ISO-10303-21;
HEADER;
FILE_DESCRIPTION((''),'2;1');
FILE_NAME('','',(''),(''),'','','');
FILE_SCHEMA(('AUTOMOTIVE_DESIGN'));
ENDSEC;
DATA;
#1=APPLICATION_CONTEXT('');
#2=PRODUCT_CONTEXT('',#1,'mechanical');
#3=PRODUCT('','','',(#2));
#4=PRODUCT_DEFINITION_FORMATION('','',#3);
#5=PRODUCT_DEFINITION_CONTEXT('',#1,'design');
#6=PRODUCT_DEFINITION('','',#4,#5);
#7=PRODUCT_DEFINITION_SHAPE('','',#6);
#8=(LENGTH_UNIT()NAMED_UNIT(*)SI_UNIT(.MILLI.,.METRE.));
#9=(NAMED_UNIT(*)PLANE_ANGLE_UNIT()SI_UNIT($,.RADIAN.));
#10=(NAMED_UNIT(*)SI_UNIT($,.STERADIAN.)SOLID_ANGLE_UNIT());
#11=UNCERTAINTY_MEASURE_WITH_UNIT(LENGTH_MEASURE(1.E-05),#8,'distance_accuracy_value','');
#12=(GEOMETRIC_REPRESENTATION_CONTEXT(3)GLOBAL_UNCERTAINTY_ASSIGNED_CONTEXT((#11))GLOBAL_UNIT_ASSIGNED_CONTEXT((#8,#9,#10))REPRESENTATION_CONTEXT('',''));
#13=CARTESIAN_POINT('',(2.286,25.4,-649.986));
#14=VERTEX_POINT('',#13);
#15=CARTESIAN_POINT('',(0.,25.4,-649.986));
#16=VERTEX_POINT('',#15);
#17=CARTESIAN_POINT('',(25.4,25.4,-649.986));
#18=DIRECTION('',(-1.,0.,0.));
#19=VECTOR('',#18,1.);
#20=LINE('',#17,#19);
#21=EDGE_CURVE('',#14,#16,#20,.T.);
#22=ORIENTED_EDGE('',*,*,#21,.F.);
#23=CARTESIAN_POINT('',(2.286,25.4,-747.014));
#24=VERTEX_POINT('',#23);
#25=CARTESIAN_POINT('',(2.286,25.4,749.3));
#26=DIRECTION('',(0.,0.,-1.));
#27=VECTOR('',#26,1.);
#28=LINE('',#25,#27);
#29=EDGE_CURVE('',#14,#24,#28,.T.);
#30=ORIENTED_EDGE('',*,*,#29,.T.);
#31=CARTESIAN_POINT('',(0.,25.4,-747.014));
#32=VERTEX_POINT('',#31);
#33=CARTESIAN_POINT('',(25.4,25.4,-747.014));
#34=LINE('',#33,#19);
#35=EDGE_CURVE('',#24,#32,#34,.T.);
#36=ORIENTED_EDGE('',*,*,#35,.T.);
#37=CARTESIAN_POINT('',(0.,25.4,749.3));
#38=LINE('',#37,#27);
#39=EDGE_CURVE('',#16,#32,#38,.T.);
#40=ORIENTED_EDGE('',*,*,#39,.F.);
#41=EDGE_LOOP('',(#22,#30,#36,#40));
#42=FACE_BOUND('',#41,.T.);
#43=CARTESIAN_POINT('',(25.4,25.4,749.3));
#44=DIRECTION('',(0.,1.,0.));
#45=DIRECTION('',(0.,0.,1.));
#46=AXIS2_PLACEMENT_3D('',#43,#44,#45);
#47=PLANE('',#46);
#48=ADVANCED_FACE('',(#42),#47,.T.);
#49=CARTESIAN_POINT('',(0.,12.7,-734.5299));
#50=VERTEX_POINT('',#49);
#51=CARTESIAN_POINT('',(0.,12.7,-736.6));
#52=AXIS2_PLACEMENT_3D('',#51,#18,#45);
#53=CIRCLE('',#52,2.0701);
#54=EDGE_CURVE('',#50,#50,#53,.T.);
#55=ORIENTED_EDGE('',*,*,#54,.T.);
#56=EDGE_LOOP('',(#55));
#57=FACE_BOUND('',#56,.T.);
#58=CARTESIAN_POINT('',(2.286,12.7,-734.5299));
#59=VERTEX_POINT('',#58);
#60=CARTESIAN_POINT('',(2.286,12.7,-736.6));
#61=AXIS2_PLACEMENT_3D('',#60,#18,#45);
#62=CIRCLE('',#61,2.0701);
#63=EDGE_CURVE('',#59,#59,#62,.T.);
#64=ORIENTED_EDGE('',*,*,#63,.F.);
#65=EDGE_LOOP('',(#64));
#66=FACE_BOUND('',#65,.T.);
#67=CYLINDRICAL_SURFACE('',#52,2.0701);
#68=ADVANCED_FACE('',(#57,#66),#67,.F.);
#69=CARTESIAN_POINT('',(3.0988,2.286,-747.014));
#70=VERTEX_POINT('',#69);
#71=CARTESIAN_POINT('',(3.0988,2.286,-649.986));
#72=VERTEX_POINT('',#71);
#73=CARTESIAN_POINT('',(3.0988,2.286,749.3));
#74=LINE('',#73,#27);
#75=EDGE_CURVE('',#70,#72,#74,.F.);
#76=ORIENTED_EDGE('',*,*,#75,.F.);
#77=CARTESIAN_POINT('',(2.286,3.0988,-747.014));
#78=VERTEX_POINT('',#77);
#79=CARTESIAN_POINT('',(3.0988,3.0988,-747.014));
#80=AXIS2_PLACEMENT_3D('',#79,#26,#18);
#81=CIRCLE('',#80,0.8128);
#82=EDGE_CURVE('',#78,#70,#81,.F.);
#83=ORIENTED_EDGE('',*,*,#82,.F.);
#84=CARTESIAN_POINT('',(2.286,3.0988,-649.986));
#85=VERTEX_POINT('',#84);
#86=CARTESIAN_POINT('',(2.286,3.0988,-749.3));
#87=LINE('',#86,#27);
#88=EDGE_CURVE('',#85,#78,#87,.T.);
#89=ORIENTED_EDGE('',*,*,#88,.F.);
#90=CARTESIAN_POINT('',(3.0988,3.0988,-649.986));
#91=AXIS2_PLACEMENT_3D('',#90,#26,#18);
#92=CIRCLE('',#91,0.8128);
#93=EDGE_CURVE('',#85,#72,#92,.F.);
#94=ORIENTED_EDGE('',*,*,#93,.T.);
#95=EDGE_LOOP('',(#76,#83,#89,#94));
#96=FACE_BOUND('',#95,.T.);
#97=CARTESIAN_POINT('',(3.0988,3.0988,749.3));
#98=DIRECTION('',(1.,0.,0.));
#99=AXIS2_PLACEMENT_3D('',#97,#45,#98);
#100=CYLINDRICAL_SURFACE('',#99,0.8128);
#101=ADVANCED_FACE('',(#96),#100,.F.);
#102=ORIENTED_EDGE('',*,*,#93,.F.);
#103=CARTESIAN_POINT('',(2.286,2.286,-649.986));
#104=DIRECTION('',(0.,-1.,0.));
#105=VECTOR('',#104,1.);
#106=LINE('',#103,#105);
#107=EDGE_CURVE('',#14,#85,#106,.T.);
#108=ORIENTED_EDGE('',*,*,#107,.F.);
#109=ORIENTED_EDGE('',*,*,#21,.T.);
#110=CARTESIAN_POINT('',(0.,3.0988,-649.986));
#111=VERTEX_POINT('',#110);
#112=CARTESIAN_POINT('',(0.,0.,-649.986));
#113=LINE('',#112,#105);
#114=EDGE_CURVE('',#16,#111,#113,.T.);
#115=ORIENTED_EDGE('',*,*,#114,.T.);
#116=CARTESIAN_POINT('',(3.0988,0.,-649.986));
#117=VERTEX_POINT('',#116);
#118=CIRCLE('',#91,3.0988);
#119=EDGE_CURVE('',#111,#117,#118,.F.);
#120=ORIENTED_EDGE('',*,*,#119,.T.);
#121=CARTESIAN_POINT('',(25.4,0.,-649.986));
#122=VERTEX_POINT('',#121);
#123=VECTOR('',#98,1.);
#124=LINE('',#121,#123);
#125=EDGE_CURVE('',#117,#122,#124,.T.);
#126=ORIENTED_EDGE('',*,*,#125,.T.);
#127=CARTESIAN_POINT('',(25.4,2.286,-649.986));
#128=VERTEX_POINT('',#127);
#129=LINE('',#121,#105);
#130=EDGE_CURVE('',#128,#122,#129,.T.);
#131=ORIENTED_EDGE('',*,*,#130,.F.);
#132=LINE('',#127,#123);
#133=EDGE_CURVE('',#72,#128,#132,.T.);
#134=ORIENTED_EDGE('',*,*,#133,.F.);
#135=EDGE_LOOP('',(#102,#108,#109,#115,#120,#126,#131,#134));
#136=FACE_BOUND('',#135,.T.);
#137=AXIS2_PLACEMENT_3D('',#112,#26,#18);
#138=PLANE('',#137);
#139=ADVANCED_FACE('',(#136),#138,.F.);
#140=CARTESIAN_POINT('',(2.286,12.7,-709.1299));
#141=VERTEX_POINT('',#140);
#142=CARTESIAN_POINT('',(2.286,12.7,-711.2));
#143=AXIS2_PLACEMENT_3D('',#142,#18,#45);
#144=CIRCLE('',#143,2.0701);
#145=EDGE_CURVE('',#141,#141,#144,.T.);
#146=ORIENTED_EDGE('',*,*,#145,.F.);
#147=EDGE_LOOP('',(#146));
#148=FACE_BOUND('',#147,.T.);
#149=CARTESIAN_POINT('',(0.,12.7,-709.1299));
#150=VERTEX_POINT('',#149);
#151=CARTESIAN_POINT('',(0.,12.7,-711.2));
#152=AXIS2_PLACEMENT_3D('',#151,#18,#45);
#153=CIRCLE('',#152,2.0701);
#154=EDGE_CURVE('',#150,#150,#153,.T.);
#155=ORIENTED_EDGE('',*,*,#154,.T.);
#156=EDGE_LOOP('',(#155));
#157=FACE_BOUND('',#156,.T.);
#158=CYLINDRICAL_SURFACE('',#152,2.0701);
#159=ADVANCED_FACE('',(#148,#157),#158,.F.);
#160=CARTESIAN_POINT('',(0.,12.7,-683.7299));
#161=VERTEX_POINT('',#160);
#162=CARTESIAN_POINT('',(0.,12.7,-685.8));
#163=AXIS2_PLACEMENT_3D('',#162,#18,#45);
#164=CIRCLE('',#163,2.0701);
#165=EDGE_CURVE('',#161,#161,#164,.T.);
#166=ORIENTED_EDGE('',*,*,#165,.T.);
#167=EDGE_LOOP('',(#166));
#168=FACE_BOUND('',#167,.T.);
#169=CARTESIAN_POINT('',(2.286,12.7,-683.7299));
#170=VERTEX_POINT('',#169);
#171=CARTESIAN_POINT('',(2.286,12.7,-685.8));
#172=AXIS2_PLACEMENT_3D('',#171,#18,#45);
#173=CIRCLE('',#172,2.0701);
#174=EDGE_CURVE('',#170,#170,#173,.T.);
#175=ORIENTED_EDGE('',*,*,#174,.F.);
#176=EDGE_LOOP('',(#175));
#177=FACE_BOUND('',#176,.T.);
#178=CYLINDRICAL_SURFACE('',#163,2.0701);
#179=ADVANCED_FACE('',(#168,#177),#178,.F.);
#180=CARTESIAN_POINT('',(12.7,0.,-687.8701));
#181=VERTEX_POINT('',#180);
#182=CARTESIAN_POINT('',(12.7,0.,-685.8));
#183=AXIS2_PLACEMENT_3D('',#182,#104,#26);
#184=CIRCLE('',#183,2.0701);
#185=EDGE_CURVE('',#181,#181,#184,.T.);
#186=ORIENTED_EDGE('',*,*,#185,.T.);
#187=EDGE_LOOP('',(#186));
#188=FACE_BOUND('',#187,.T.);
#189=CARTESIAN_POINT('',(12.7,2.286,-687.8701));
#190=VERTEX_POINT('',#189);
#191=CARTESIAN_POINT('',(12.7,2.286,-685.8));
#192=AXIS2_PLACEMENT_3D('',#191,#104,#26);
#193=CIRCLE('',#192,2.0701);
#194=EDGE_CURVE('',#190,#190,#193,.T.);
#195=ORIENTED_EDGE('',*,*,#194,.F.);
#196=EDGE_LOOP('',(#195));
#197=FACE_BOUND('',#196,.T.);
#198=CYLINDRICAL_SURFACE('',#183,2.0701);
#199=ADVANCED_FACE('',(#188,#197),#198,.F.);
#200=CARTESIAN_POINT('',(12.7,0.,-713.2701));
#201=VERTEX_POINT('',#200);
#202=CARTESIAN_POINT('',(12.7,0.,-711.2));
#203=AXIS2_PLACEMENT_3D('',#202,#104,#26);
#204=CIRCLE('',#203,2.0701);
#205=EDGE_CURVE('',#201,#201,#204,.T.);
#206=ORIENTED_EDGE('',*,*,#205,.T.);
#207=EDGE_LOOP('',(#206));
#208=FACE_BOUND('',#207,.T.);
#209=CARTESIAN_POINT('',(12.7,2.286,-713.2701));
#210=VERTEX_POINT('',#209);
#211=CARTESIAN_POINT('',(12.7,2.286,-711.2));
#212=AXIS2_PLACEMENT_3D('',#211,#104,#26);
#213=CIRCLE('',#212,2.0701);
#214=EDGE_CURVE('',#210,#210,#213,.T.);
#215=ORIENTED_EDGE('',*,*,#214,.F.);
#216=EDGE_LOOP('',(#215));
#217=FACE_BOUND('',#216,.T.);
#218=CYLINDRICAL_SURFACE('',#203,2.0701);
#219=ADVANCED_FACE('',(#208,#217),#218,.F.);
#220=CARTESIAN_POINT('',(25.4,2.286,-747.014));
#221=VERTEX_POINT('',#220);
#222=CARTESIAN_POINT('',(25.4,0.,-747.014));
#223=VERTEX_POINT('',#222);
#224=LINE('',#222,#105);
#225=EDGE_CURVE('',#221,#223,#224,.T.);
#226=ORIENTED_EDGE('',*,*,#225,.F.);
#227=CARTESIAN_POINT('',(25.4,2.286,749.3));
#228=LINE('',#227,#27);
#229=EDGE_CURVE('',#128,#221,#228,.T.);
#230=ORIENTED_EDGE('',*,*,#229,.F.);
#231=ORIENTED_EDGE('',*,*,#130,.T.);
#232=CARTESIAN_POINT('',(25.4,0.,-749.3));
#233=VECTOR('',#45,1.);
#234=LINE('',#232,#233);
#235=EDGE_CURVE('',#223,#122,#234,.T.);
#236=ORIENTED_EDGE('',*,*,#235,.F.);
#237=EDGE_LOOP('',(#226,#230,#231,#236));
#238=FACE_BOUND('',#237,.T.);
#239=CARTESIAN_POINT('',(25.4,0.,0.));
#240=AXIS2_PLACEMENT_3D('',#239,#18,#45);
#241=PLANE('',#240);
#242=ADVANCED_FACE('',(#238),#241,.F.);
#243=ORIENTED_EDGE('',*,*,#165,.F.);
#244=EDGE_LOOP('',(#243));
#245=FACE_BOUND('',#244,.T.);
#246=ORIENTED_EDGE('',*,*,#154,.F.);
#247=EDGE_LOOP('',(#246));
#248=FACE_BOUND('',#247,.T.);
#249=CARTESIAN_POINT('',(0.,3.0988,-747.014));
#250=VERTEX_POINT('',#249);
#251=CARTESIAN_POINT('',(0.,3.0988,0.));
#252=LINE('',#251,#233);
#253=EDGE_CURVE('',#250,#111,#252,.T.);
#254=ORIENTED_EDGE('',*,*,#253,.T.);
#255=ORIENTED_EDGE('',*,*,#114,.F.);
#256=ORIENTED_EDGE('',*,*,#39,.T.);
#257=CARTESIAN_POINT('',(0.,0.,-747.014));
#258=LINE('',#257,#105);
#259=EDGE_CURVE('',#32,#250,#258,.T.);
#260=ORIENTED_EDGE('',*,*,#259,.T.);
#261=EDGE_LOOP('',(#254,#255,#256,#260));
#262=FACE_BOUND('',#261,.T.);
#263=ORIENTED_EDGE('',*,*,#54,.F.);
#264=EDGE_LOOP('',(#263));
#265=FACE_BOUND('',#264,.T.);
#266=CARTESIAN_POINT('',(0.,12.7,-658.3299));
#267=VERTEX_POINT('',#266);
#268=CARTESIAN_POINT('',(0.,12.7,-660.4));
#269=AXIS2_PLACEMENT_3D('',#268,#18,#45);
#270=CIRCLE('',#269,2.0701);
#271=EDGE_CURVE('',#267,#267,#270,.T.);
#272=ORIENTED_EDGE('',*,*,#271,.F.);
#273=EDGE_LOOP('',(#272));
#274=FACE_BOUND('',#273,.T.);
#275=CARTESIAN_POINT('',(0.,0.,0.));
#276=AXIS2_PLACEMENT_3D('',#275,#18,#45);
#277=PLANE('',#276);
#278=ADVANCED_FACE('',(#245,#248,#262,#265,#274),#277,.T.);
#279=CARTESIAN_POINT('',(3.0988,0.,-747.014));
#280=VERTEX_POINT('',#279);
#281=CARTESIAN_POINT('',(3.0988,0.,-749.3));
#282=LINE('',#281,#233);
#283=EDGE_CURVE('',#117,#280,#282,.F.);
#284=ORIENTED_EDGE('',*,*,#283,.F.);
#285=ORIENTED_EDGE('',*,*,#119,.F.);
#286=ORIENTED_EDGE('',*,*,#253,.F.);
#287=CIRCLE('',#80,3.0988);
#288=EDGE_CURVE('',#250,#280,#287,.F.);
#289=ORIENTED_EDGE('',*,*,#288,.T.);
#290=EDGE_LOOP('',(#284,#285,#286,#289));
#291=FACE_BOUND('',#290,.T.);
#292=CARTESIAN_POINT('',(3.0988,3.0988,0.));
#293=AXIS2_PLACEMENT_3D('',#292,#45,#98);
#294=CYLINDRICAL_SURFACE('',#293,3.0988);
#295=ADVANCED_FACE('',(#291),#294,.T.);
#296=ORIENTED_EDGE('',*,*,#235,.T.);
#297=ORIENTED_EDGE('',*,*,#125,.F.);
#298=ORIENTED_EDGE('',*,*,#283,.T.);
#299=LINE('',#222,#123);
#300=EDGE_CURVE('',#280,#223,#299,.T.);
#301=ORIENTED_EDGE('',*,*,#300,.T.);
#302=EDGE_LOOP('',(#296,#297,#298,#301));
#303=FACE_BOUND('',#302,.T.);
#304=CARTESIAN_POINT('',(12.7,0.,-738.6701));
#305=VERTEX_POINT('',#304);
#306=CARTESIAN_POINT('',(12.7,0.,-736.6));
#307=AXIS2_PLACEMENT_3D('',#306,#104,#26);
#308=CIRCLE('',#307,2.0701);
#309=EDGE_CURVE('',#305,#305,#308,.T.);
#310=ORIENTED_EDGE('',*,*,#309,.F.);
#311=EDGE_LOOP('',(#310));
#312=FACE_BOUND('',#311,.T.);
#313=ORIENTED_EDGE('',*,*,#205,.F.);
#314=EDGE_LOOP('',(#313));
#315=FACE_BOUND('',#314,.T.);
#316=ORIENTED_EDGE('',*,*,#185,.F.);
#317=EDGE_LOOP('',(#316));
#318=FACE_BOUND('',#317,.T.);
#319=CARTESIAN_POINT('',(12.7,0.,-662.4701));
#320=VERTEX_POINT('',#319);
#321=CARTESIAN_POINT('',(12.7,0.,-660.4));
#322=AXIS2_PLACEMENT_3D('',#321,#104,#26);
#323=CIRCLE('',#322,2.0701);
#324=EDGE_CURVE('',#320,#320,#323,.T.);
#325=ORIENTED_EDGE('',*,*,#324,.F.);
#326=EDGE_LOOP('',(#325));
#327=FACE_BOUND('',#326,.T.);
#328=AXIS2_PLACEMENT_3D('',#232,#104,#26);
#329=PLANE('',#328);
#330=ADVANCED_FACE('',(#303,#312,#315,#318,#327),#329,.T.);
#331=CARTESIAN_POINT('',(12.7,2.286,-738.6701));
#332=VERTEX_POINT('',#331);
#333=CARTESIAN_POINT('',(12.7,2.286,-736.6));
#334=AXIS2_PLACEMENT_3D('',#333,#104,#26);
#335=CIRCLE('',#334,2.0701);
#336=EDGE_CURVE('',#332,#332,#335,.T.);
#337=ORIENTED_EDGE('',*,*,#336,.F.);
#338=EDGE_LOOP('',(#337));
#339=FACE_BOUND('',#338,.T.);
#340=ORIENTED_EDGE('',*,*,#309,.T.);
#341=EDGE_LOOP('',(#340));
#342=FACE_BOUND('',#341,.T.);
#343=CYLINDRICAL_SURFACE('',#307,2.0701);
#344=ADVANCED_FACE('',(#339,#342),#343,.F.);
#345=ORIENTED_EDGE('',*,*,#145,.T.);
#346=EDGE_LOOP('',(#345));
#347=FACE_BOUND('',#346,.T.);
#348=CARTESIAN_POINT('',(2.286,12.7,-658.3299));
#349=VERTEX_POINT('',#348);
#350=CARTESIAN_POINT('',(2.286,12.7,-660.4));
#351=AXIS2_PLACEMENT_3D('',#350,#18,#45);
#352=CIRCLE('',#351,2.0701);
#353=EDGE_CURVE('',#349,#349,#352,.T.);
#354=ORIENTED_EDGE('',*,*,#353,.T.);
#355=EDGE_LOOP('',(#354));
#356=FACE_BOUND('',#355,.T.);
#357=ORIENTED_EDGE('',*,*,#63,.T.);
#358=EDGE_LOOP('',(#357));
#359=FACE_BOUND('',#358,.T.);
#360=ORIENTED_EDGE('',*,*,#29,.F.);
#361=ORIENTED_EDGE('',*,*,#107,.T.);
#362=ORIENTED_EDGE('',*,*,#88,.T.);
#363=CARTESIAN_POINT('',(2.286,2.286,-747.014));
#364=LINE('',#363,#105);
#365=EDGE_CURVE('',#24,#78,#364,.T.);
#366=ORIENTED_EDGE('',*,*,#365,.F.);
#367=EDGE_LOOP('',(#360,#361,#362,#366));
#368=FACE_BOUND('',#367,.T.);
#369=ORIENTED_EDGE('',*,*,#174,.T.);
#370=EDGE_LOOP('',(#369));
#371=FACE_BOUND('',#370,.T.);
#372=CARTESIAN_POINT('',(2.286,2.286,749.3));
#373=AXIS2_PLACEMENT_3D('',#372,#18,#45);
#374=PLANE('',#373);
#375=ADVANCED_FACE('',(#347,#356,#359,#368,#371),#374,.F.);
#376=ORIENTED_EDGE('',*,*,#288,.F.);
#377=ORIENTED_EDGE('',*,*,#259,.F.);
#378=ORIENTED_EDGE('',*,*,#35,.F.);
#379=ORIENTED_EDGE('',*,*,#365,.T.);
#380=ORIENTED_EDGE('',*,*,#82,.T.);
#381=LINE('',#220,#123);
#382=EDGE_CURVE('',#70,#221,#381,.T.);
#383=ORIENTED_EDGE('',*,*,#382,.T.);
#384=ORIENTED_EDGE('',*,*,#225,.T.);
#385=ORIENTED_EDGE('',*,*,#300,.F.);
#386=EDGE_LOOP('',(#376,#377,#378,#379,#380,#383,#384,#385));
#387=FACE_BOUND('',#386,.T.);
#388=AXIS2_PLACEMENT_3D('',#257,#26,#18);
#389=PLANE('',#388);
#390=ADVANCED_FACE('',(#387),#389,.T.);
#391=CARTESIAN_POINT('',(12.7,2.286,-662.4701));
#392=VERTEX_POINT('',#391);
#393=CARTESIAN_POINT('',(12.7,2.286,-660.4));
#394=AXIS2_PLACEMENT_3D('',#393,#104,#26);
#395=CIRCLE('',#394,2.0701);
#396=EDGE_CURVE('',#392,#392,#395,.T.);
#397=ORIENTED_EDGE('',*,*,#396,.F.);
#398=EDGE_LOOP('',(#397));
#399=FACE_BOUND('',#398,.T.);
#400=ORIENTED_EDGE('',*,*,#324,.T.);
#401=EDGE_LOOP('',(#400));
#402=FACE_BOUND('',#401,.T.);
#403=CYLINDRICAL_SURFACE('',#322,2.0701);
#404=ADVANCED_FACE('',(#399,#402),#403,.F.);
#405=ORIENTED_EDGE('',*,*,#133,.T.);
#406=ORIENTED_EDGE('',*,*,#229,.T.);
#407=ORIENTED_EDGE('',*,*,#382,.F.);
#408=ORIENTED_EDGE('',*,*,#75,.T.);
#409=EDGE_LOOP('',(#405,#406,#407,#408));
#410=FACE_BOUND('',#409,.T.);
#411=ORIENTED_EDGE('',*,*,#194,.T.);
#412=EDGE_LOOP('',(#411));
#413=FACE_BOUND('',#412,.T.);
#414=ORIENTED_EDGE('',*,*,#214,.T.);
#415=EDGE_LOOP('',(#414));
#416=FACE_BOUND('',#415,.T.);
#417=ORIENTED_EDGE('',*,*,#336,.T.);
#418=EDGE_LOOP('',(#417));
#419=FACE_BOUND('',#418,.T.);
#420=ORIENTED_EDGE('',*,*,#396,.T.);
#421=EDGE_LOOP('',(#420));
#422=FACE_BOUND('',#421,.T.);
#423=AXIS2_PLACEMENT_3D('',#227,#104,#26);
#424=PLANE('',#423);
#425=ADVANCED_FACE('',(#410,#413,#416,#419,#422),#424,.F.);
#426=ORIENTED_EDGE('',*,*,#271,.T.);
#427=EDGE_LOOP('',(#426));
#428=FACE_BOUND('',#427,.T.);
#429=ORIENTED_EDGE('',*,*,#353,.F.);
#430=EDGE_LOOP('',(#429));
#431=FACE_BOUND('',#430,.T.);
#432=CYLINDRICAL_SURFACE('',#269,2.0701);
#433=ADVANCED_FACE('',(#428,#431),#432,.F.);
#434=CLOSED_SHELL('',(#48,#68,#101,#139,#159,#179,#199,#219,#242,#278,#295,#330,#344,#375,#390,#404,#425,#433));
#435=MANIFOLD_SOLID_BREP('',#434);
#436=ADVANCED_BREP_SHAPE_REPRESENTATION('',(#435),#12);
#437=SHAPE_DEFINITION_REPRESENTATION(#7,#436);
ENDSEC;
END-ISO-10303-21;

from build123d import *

# Parameters (mm, degrees)
SKETCH1_W                  = 25.4
SKETCH1_H                  = 1498.6
BOSS_EXTRUDE1_DEPTH        = 25.4
SKETCH2_W                  = 23.114
SKETCH2_H                  = 23.114
CUT_EXTRUDE1_DEPTH         = 1499.6
M3_5_CLEARANCE_HOLE1_D     = 4.1402
M3_5_CLEARANCE_HOLE1_DEPTH = 25.4
M3_5_CLEARANCE_HOLE2_D     = 4.1402
M3_5_CLEARANCE_HOLE2_DEPTH = 25.4
CHAMFER1_SIZE              = 2.159
FILLET1_R                  = 0.8128
FILLET2_R                  = 3.0988
SKETCH8_W                  = 95.882963774
SKETCH8_H                  = 79.338329604
CUT_EXTRUDE3_DEPTH         = 1397
SKETCH9_W                  = 55.647897921
SKETCH9_H                  = 59.659370493
CUT_EXTRUDE4_DEPTH         = 2.286
SKETCH10_W                 = 60.180202688
SKETCH10_H                 = 53.53268885
CUT_EXTRUDE5_DEPTH         = 2.286


with BuildPart() as part:
    # Sketch1 → Boss-Extrude1 (new body)
    with BuildSketch(Plane(origin=(0, 0, 0), x_dir=(0, -1, 0), z_dir=(-1, 0, 0))):
        with Locations((-12.7, 0)):
            Rectangle(SKETCH1_W, SKETCH1_H)
    extrude(amount=-BOSS_EXTRUDE1_DEPTH)

    # Sketch2 → Cut-Extrude1 (cut, through all)
    with BuildSketch(Plane(origin=(0, 0, -749.3), x_dir=(-1, 0, 0), z_dir=(0, 0, -1))):
        with Locations((-13.843, 13.843)):
            Rectangle(SKETCH2_W, SKETCH2_H)
    extrude(amount=-CUT_EXTRUDE1_DEPTH, mode=Mode.SUBTRACT)

    # M3.5 Clearance Hole1
    with Locations(Plane(origin=(0, 0, 0), x_dir=(-1, 0, 0), z_dir=(0, -1, 0))):
        with Locations((-12.7, 736.6), (-12.7, 711.2), (-12.7, 685.8), (-12.7, 660.4), (-12.7, 635), (-12.7, 609.6), (-12.7, 584.2), (-12.7, 558.8), (-12.7, 533.4), (-12.7, 508), (-12.7, 482.6), (-12.7, 457.2), (-12.7, 431.8), (-12.7, 406.4), (-12.7, 381), (-12.7, 355.6), (-12.7, 330.2), (-12.7, 304.8), (-12.7, 279.4), (-12.7, 254), (-12.7, 228.6), (-12.7, 203.2), (-12.7, 177.8), (-12.7, 152.4), (-12.7, 127), (-12.7, 101.6), (-12.7, 76.2), (-12.7, 50.8), (-12.7, 25.4), (-12.7, 0), (-12.7, -25.4), (-12.7, -50.8), (-12.7, -76.2), (-12.7, -101.6), (-12.7, -127), (-12.7, -152.4), (-12.7, -177.8), (-12.7, -203.2), (-12.7, -228.6), (-12.7, -254), (-12.7, -279.4), (-12.7, -304.8), (-12.7, -330.2), (-12.7, -355.6), (-12.7, -381), (-12.7, -406.4), (-12.7, -431.8), (-12.7, -457.2), (-12.7, -482.6), (-12.7, -508), (-12.7, -533.4), (-12.7, -558.8), (-12.7, -584.2), (-12.7, -609.6), (-12.7, -635), (-12.7, -660.4), (-12.7, -685.8), (-12.7, -711.2), (-12.7, -736.6)):
            Hole(M3_5_CLEARANCE_HOLE1_D / 2, depth=M3_5_CLEARANCE_HOLE1_DEPTH)

    # M3.5 Clearance Hole2
    with Locations(Plane.ZY):
        with Locations((711.2, 12.7), (736.6, 12.7), (685.8, 12.7), (660.4, 12.7), (635, 12.7), (609.6, 12.7), (584.2, 12.7), (558.8, 12.7), (533.4, 12.7), (508, 12.7), (482.6, 12.7), (457.2, 12.7), (431.8, 12.7), (406.4, 12.7), (381, 12.7), (355.6, 12.7), (330.2, 12.7), (304.8, 12.7), (279.4, 12.7), (254, 12.7), (228.6, 12.7), (203.2, 12.7), (177.8, 12.7), (152.4, 12.7), (127, 12.7), (101.6, 12.7), (76.2, 12.7), (50.8, 12.7), (25.4, 12.7), (0, 12.7), (-25.4, 12.7), (-50.8, 12.7), (-76.2, 12.7), (-101.6, 12.7), (-127, 12.7), (-152.4, 12.7), (-177.8, 12.7), (-203.2, 12.7), (-228.6, 12.7), (-254, 12.7), (-279.4, 12.7), (-304.8, 12.7), (-330.2, 12.7), (-355.6, 12.7), (-381, 12.7), (-406.4, 12.7), (-431.8, 12.7), (-457.2, 12.7), (-482.6, 12.7), (-508, 12.7), (-533.4, 12.7), (-558.8, 12.7), (-584.2, 12.7), (-609.6, 12.7), (-635, 12.7), (-660.4, 12.7), (-685.8, 12.7), (-711.2, 12.7), (-736.6, 12.7)):
            Hole(M3_5_CLEARANCE_HOLE2_D / 2, depth=M3_5_CLEARANCE_HOLE2_DEPTH)

    # Chamfer1
    chamfer1_edges = [part.edges().sort_by_distance(p)[0] for p in [
        (25.4, 1.143, -749.3),
        (1.143, 25.4, 749.3),
        (1.143, 25.4, -749.3),
        (25.4, 1.143, 749.3),
    ]]
    chamfer(chamfer1_edges, length=CHAMFER1_SIZE)

    # Fillet1
    fillet1_edges = [part.edges().sort_by_distance(p)[0] for p in [
        (2.286, 2.286, 0),
    ]]
    fillet(fillet1_edges, radius=FILLET1_R)

    # Fillet2
    fillet2_edges = [part.edges().sort_by_distance(p)[0] for p in [
        (0, 0, 0),
    ]]
    fillet(fillet2_edges, radius=FILLET2_R)

    # Sketch8 → Cut-Extrude3 (cut)
    with BuildSketch(Plane.XY.offset(749.3)):
        with Locations((2.286, 3.0988)):
            Rectangle(SKETCH8_W, SKETCH8_H)
    extrude(amount=-CUT_EXTRUDE3_DEPTH, mode=Mode.SUBTRACT)

    # Sketch9 → Cut-Extrude4 (cut)
    with BuildSketch(Plane.XY.offset(-647.7)):
        with Locations((1.567971806, 1.525578147)):
            Rectangle(SKETCH9_W, SKETCH9_H)
    extrude(amount=-CUT_EXTRUDE4_DEPTH, mode=Mode.SUBTRACT)

    # Sketch10 → Cut-Extrude5 (cut)
    with BuildSketch(Plane(origin=(0, 0, -749.3), x_dir=(-1, 0, 0), z_dir=(0, 0, -1))):
        with Locations((-0.996649486, 3.303060092)):
            Rectangle(SKETCH10_W, SKETCH10_H)
    extrude(amount=-CUT_EXTRUDE5_DEPTH, mode=Mode.SUBTRACT)


solid = part.part
